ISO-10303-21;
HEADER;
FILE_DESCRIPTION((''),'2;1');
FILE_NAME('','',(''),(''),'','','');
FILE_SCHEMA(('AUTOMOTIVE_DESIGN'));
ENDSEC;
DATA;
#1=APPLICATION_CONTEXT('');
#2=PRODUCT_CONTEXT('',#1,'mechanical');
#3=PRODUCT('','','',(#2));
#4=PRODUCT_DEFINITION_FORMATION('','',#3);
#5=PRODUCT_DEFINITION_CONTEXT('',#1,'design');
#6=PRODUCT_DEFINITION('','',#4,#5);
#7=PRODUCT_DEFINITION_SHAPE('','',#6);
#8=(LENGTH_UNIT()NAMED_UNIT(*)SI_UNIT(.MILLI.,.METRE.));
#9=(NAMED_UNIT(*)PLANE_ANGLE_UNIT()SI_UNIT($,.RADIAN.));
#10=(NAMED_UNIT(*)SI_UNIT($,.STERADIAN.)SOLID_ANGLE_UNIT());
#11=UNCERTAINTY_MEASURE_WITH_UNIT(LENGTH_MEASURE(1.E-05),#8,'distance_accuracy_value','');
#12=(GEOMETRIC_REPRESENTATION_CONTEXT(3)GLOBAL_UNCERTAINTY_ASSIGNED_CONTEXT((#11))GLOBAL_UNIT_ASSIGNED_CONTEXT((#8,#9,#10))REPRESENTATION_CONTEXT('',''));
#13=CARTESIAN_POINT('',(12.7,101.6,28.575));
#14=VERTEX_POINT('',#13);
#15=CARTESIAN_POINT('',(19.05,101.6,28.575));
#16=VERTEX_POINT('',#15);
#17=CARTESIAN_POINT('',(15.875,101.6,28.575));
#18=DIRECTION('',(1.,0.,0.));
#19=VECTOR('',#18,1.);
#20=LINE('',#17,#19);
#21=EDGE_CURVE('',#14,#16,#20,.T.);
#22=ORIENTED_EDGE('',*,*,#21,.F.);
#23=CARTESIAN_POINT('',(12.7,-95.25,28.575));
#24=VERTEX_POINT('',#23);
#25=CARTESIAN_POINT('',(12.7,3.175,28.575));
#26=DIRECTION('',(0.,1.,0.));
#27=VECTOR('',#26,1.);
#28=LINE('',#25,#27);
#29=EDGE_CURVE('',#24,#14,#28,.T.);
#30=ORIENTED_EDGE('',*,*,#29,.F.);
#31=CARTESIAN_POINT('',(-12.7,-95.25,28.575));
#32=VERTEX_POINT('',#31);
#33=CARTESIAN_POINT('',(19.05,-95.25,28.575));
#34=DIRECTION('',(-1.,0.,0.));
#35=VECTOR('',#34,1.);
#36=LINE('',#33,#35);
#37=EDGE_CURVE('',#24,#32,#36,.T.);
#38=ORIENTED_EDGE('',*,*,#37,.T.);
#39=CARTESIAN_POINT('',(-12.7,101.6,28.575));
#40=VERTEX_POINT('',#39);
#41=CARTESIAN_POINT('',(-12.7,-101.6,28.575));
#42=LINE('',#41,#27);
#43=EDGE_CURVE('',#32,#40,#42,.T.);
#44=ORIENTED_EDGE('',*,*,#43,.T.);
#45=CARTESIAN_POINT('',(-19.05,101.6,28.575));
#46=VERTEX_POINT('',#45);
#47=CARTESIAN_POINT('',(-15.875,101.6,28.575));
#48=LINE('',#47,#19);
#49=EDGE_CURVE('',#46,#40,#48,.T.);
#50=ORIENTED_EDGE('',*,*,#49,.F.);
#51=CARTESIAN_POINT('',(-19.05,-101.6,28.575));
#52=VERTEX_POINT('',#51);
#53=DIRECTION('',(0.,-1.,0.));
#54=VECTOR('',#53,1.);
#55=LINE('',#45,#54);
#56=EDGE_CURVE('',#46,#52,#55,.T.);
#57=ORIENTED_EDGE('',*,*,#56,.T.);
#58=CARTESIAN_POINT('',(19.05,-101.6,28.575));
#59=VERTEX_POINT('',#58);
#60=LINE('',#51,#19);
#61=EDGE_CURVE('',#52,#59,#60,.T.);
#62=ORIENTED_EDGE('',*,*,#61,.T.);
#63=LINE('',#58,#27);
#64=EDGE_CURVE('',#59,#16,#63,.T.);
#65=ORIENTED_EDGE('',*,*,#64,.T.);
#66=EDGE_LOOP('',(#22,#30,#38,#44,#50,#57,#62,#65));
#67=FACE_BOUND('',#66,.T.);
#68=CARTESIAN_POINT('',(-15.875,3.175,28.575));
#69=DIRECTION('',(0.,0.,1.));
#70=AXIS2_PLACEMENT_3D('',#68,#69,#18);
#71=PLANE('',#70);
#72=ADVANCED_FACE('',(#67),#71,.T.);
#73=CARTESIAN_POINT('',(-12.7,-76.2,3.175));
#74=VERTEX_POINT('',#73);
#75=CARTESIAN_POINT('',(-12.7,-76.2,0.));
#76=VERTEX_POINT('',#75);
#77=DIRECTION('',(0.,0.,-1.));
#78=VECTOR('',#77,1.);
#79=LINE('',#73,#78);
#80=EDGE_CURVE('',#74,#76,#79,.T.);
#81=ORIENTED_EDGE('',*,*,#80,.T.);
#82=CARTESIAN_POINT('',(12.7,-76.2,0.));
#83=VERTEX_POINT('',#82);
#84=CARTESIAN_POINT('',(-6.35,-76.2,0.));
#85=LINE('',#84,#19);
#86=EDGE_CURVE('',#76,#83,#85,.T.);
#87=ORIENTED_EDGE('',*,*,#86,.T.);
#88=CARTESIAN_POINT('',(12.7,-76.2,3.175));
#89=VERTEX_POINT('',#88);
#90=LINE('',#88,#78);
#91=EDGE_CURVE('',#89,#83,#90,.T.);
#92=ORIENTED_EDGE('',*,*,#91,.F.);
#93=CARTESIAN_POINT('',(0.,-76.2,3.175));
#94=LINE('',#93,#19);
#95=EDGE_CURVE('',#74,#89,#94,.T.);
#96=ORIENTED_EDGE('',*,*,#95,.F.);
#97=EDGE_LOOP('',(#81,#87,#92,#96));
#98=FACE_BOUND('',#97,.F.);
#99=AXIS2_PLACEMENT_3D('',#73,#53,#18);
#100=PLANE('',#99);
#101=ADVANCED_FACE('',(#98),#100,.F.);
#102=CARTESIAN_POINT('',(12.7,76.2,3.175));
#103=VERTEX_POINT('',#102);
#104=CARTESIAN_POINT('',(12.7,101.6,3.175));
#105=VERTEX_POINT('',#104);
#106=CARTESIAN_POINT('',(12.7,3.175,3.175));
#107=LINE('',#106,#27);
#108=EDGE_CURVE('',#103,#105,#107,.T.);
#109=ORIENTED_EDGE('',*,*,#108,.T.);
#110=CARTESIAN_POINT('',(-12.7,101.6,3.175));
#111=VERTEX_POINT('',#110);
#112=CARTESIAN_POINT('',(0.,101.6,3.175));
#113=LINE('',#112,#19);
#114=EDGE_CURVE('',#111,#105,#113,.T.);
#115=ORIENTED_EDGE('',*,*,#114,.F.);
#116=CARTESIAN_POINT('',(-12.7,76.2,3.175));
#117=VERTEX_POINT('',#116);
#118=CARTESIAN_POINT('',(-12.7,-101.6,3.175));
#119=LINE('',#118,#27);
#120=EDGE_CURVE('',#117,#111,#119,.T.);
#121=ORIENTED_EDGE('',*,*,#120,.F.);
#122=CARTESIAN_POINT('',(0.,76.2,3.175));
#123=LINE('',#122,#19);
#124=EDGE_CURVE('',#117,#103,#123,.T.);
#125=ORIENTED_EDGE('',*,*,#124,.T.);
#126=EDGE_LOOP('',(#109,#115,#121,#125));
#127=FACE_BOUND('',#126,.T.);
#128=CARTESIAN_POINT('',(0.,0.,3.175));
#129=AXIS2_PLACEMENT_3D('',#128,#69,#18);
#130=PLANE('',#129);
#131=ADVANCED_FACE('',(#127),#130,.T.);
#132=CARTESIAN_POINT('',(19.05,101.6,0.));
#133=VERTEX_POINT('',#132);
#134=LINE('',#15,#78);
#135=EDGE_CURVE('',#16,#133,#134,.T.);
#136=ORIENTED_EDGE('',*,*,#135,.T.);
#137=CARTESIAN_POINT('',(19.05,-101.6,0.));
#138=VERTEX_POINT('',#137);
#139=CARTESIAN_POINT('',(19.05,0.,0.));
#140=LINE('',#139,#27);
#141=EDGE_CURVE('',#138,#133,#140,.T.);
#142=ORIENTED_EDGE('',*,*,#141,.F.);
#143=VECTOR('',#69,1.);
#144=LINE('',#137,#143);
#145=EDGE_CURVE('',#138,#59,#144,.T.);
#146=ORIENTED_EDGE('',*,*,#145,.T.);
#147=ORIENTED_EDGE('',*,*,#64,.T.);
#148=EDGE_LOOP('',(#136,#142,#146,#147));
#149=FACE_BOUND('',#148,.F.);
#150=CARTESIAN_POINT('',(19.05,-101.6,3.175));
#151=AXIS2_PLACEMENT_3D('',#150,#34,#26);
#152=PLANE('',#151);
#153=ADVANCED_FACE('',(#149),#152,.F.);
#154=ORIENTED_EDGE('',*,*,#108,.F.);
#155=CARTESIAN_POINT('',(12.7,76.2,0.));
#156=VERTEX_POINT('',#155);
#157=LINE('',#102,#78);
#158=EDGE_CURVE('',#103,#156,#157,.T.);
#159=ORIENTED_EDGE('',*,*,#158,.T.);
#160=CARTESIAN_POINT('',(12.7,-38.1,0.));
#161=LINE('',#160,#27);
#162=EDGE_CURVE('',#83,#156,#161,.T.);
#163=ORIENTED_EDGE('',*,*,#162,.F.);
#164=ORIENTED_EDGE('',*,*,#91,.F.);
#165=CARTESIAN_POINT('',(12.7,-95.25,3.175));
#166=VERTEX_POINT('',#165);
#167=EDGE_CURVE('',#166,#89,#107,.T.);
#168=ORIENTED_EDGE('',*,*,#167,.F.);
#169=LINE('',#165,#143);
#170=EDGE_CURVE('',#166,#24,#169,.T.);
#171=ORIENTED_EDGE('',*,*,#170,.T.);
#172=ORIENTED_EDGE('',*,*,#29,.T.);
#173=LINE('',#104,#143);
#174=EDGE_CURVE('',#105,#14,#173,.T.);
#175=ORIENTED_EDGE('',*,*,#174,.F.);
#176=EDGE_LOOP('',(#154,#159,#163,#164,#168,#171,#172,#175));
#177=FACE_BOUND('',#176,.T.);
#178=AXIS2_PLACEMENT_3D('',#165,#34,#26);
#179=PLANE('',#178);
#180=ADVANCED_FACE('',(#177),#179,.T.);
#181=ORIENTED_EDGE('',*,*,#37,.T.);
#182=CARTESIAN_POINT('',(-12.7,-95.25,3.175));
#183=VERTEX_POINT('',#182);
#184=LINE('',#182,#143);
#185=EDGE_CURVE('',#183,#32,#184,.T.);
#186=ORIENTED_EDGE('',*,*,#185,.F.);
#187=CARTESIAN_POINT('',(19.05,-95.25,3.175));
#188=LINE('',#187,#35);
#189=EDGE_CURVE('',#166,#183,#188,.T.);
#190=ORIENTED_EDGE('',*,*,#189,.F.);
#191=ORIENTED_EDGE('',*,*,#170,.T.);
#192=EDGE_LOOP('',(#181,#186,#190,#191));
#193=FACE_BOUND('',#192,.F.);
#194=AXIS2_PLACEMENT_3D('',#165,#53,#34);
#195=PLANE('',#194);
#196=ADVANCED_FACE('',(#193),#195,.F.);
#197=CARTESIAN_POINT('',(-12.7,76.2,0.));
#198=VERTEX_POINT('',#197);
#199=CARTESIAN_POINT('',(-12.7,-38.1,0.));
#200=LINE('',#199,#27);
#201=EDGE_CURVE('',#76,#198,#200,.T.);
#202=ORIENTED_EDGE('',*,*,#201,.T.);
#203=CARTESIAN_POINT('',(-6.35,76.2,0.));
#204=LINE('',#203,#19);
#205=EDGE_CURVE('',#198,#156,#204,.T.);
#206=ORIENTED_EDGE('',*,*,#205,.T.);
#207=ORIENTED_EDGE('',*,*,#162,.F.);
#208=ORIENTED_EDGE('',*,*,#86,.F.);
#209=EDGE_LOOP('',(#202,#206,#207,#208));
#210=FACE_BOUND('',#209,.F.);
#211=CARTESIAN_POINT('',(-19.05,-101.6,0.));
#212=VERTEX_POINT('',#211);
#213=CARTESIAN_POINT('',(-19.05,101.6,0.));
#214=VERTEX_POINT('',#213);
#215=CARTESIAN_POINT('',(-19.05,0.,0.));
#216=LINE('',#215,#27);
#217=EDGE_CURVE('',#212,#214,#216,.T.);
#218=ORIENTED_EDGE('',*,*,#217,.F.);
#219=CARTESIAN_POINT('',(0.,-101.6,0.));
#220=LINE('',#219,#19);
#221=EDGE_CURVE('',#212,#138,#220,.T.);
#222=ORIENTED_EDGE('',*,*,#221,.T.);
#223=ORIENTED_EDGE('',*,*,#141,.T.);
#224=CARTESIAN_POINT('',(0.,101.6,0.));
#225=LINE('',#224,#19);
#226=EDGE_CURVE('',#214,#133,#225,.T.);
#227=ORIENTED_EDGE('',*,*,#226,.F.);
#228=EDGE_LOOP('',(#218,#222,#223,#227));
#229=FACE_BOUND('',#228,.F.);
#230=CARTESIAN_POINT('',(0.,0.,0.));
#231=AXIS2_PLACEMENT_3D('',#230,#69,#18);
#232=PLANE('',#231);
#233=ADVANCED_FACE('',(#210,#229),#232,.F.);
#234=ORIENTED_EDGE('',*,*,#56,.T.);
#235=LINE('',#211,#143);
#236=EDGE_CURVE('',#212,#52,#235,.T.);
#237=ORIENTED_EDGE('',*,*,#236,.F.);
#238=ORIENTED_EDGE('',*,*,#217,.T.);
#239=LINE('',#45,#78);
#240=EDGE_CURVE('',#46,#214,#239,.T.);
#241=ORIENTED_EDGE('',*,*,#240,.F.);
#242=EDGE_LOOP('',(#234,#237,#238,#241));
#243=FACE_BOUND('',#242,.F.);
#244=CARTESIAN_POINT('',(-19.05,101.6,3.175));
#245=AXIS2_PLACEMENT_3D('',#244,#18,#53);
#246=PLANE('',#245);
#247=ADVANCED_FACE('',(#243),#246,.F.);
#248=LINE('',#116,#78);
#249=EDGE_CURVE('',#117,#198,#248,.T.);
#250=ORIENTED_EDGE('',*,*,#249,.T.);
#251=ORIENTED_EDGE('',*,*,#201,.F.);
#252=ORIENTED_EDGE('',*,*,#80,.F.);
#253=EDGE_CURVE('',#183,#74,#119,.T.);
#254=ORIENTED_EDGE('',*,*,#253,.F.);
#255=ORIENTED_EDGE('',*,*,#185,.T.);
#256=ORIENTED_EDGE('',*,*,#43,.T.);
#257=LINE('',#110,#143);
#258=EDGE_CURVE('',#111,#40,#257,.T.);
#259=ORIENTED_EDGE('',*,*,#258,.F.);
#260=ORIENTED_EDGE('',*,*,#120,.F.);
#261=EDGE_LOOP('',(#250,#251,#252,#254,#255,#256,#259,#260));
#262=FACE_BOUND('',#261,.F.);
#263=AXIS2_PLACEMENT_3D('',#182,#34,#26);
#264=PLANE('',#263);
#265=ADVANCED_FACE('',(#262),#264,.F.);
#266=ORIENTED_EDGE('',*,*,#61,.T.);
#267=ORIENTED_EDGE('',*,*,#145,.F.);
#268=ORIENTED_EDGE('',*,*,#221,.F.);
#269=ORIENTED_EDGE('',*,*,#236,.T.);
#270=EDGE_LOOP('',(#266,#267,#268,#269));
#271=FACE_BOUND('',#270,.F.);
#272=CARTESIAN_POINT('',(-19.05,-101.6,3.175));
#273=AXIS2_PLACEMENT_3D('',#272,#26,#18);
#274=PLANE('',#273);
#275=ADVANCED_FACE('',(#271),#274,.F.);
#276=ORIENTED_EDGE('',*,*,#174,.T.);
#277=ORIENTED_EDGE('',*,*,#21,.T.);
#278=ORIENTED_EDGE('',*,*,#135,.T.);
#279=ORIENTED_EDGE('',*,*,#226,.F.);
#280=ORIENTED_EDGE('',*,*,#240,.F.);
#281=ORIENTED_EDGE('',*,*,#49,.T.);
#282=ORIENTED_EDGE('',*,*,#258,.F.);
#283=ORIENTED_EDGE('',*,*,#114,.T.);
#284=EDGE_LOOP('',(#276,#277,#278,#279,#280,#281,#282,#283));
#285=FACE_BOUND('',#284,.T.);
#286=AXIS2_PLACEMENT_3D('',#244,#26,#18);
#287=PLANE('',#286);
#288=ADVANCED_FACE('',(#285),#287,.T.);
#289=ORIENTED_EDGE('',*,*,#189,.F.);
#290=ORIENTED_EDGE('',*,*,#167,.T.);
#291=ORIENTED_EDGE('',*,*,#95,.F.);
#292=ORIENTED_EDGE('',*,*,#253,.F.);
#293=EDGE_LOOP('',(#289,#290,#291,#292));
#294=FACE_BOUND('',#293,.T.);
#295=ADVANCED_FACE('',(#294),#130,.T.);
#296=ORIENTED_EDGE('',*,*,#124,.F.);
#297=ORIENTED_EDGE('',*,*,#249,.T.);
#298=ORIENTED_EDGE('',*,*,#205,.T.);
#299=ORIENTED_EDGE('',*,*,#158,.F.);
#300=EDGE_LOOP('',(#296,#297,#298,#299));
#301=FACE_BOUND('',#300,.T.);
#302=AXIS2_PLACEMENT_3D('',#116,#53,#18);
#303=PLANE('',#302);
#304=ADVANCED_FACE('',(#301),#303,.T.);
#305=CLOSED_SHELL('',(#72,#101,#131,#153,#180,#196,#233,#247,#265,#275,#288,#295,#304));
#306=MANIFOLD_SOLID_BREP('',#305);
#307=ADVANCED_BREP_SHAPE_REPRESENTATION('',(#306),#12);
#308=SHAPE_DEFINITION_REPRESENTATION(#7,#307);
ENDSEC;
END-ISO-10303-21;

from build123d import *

# Parameters (mm, degrees)
F0_W     = 38.1
F0_H     = 203.2
F1_DEPTH = 3.175
F2_W     = 6.35
F2_H     = 196.85
F2_H_2   = 6.35
F2_W_2   = 25.4
F3_DEPTH = 25.4
F4_W     = 25.4
F4_H     = 152.4
F5_DEPTH = 3.176


with BuildPart() as f1:
    # F0 (on Top) → F1 (new body)
    with BuildSketch(Plane.XY):
        Rectangle(F0_W, F0_H)
    extrude(amount=F1_DEPTH)

    # F2 (on face) → F3 (join)
    with BuildSketch(Plane.XY.offset(3.175)):
        with Locations((-15.875, 3.175)):
            Rectangle(F2_W, F2_H)
        with Locations((-15.875, -98.425)):
            Rectangle(F2_W, F2_H_2)
        with Locations((0, -98.425)):
            Rectangle(F2_W_2, F2_H_2)
        with Locations((15.875, -98.425)):
            Rectangle(F2_W, F2_H_2)
        with Locations((15.875, 3.175)):
            Rectangle(F2_W, F2_H)
    extrude(amount=F3_DEPTH)

    # F4 (on face) → F5 (cut, through all)
    with BuildSketch(Plane.XY.offset(3.175)):
        Rectangle(F4_W, F4_H)
    extrude(amount=-F5_DEPTH, mode=Mode.SUBTRACT)


solid = f1.part
